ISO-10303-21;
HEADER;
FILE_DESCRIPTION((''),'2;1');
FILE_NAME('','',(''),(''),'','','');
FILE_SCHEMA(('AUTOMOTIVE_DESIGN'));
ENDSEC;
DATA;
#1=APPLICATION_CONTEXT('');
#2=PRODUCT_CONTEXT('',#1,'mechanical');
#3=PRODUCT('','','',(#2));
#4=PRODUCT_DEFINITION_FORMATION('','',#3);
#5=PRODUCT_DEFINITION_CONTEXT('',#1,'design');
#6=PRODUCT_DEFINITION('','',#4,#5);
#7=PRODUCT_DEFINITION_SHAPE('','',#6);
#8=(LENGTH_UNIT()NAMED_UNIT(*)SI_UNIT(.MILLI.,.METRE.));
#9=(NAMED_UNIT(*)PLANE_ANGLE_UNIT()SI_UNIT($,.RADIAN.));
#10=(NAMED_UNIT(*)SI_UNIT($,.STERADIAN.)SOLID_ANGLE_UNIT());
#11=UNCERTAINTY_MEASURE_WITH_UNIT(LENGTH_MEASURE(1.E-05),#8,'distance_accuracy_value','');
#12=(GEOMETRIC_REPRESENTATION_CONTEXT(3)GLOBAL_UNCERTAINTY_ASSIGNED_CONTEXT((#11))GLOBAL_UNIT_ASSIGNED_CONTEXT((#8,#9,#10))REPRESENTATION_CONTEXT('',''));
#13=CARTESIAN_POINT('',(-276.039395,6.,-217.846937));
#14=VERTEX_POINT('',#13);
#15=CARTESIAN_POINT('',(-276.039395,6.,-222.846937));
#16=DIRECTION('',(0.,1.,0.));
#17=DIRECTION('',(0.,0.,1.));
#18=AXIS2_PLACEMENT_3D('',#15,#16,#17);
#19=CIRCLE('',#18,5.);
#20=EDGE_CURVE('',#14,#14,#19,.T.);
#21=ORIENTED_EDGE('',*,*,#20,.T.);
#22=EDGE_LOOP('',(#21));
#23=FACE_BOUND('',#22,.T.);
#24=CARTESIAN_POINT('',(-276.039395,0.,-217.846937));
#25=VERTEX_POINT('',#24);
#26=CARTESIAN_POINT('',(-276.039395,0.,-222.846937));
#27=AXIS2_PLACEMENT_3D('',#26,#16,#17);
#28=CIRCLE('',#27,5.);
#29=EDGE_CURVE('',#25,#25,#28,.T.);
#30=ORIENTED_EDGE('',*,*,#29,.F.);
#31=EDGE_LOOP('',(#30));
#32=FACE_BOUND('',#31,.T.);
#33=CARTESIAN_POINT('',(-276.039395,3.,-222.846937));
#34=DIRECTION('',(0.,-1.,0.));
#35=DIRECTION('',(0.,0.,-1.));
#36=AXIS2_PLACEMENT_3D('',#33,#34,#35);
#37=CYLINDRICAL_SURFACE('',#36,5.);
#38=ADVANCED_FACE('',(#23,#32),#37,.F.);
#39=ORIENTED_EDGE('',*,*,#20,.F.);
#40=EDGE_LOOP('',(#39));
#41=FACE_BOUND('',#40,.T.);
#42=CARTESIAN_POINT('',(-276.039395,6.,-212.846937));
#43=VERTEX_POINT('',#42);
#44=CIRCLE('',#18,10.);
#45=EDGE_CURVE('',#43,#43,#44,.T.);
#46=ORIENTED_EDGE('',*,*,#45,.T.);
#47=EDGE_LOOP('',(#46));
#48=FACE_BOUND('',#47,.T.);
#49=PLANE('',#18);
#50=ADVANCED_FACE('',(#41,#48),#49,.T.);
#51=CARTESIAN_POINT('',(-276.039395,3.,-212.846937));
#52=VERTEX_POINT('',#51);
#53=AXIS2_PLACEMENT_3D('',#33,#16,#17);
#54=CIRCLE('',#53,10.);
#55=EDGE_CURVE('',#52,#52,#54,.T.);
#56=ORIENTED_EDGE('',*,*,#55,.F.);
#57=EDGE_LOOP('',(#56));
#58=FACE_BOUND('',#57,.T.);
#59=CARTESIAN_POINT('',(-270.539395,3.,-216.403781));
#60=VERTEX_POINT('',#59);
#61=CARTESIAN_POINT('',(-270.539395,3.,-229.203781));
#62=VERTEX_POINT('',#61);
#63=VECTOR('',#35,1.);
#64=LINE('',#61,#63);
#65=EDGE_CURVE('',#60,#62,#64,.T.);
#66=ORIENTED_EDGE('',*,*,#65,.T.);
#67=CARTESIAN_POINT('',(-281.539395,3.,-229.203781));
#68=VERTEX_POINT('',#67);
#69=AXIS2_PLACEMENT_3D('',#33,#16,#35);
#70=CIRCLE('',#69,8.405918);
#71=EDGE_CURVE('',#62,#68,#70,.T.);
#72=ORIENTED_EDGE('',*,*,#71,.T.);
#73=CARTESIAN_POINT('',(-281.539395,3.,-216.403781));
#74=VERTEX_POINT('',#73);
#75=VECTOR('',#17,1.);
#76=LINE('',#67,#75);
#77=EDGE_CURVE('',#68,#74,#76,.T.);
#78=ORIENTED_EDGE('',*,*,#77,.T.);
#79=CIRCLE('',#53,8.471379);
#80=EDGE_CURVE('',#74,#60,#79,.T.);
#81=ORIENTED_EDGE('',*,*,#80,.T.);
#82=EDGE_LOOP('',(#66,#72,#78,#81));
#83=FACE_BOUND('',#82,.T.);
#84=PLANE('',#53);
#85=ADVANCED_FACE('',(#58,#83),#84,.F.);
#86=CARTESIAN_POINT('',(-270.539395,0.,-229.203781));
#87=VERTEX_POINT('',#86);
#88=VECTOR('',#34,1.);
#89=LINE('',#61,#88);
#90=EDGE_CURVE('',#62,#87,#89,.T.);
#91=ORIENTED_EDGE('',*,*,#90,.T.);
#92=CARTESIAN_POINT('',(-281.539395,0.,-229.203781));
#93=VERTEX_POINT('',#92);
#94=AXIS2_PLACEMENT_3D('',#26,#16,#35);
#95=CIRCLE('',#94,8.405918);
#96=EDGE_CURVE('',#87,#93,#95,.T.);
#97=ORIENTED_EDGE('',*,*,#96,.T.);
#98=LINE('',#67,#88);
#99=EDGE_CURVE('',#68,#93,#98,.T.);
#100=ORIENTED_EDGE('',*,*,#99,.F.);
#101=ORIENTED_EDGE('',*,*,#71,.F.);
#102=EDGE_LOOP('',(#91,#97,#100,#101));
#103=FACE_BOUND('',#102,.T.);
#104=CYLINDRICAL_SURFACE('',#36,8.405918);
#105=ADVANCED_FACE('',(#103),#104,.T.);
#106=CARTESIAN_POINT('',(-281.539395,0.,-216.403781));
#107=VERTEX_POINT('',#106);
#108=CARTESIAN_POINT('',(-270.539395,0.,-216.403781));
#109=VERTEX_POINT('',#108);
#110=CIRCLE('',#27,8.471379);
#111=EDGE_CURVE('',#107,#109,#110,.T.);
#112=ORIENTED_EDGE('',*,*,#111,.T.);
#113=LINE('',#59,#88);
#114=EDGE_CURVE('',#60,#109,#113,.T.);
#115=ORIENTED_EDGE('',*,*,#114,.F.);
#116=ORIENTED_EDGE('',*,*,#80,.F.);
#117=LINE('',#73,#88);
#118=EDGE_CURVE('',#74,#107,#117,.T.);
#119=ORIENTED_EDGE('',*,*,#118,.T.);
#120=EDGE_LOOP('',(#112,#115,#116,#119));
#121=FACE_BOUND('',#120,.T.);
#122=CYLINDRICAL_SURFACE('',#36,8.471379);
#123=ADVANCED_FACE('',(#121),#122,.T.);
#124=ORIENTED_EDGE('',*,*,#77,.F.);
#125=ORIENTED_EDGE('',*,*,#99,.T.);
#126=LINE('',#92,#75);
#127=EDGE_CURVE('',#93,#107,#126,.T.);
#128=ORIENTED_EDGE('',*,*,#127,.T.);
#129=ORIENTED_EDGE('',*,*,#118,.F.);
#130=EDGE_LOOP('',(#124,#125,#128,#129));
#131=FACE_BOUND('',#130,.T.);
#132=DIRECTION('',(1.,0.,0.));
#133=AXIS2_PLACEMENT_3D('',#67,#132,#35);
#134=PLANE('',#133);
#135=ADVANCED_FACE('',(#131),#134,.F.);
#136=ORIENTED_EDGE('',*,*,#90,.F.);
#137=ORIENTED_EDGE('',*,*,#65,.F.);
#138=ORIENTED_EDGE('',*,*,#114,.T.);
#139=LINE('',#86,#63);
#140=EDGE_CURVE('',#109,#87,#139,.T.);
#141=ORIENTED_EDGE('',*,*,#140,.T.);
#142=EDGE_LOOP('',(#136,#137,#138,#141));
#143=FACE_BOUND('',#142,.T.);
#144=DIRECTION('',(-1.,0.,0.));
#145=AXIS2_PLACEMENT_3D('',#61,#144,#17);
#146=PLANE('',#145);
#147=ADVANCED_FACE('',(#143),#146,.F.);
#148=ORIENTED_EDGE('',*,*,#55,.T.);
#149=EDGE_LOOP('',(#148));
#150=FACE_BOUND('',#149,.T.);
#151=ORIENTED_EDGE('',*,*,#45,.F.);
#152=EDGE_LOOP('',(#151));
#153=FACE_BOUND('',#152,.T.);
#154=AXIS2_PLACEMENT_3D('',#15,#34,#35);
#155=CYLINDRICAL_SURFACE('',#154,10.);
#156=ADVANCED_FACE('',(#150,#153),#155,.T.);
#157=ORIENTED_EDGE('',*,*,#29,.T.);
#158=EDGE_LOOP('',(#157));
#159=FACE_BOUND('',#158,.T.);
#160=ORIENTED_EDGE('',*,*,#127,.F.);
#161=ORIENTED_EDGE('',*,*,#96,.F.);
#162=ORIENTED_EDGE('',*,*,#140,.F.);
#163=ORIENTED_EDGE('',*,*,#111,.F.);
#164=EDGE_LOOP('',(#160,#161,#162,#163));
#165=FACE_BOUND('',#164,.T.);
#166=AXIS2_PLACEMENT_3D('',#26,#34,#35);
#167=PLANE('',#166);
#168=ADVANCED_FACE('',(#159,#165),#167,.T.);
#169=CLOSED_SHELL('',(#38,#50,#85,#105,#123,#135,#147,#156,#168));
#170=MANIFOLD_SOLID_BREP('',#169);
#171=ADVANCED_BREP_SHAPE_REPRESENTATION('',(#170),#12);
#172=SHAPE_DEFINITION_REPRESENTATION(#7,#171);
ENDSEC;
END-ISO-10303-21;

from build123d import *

# Parameters (mm, degrees)
SKETCH1_R           = 5
BOSS_EXTRUDE1_DEPTH = 3
SKETCH2_R           = 10
SKETCH2_R_2         = 5
BOSS_EXTRUDE2_DEPTH = 3


with BuildPart() as part:
    # Sketch1 → Boss-Extrude1 (new body)
    with BuildSketch(Plane(origin=(0, 0, 0), x_dir=(1, 0, 0), z_dir=(0, 1, 0))):
        with BuildLine():
            Line((-281.53939526, 229.203780512), (-281.53939526, 216.403780512))
            ThreePointArc((-281.53939526, 216.403780512), (-276.03939526, 214.375557893), (-270.53939526, 216.403780512))
            Line((-270.53939526, 216.403780512), (-270.53939526, 229.203780512))
            ThreePointArc((-270.53939526, 229.203780512), (-276.03939526, 231.252855213), (-281.53939526, 229.203780512))
        make_face()
        with Locations((-276.03939526, 222.846937384)):
            Circle(SKETCH1_R, mode=Mode.SUBTRACT)
    extrude(amount=BOSS_EXTRUDE1_DEPTH)

    # Sketch2 → Boss-Extrude2 (add)
    with BuildSketch(Plane(origin=(0, 3, 0), x_dir=(1, 0, 0), z_dir=(0, 1, 0))):
        with Locations((-276.03939526, 222.846937384)):
            Circle(SKETCH2_R)
        with Locations((-276.03939526, 222.846937384)):
            Circle(SKETCH2_R_2, mode=Mode.SUBTRACT)
    extrude(amount=BOSS_EXTRUDE2_DEPTH)


solid = part.part
